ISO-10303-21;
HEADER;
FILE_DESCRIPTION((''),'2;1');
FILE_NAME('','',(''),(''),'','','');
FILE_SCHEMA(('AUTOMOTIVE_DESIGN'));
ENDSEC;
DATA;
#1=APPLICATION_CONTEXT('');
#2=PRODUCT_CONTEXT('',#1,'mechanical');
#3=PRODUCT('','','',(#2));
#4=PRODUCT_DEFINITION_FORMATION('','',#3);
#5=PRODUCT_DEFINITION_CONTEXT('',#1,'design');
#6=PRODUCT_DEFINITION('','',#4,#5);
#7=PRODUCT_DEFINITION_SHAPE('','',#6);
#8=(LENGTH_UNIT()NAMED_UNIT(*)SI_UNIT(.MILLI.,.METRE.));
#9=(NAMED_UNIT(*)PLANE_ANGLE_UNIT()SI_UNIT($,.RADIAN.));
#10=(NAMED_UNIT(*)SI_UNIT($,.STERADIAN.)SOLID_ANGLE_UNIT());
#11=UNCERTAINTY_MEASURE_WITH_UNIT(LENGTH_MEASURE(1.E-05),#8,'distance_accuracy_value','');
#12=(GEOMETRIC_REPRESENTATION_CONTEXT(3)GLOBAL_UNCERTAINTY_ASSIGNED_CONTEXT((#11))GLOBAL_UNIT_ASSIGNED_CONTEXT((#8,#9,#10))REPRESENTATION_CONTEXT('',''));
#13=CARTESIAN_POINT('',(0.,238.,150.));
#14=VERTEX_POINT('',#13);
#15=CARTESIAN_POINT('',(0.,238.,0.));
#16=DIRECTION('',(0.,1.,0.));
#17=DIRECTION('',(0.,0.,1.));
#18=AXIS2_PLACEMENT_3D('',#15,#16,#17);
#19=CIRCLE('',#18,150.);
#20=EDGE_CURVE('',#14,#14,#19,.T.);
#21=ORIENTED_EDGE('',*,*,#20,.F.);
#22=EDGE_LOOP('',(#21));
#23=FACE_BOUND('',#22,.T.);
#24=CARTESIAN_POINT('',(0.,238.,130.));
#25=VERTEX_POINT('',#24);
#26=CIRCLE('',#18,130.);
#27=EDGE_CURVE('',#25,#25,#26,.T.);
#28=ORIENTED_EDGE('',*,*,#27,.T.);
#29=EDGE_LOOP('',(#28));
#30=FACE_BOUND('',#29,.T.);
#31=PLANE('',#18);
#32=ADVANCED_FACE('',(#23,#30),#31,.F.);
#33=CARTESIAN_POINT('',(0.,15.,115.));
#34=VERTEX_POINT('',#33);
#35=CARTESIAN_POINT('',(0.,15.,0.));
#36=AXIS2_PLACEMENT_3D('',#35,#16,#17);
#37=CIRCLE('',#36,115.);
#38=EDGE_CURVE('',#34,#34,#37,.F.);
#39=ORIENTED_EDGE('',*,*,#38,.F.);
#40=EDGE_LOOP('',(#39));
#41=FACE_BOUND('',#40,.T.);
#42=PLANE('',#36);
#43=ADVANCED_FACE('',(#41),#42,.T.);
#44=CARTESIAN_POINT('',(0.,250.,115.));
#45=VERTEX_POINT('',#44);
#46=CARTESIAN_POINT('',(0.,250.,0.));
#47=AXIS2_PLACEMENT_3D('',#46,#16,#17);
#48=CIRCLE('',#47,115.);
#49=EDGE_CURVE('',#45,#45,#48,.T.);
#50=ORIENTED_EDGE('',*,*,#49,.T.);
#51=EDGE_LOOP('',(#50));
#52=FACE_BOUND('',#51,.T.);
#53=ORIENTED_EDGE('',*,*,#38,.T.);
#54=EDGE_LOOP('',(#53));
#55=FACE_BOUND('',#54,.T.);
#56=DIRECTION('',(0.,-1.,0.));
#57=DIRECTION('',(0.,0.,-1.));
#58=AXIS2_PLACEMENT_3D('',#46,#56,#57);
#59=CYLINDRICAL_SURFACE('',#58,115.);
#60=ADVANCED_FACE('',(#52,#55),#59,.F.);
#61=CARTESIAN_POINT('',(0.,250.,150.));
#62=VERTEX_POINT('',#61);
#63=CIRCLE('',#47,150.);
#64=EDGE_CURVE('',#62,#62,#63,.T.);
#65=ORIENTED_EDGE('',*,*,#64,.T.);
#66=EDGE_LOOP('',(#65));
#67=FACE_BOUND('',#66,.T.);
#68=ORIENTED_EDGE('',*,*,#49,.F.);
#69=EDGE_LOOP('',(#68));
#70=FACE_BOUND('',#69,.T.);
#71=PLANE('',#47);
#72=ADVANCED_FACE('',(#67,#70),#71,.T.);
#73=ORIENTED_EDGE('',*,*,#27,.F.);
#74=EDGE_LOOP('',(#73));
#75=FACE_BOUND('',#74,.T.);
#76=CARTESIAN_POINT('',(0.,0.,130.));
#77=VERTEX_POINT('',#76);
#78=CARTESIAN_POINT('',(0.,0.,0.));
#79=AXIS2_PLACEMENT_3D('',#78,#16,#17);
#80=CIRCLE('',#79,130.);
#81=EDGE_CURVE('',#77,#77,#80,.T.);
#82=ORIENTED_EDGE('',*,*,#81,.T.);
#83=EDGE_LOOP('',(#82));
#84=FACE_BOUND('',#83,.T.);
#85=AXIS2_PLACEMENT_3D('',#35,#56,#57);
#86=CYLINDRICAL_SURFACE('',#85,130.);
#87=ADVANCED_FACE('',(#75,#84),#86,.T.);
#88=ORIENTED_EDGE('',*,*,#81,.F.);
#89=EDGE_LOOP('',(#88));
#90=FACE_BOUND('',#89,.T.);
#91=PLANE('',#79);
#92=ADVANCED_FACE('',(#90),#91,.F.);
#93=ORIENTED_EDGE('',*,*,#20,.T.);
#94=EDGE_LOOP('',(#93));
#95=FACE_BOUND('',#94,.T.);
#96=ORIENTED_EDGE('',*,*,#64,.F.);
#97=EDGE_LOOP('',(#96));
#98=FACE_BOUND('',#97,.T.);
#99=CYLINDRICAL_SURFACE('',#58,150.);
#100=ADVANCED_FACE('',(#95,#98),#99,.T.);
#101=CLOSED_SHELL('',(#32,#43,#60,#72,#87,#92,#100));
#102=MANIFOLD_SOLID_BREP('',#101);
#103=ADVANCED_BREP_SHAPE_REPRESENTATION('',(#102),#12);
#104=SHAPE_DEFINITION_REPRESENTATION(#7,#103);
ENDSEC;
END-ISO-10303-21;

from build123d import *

# Parameters (mm, degrees)
POT_BASE_SKETCH_R   = 130
POT_BASE_DEPTH      = 15
POT_WALL_SKETCH_R   = 130
POT_WALL_SKETCH_R_2 = 115
POT_WALL_DEPTH      = 250
POT_START           = 238
POT_RIM_SKETCH_R    = 150
POT_RIM_SKETCH_R_2  = 115
POT_RIM_DEPTH       = 12


with BuildPart() as part:
    # Pot Base Sketch → Pot Base (new body)
    with BuildSketch(Plane(origin=(0, 0, 0), x_dir=(1, 0, 0), z_dir=(0, 1, 0))):
        with Locations(Location((0, 0, 0), (0, 0, 270))):
            Circle(POT_BASE_SKETCH_R)
    extrude(amount=POT_BASE_DEPTH)

    # Pot Wall Sketch → Pot Wall (add)
    with BuildSketch(Plane(origin=(0, 0, 0), x_dir=(1, 0, 0), z_dir=(0, 1, 0))):
        with Locations(Location((0, 0, 0), (0, 0, 270))):
            Circle(POT_WALL_SKETCH_R)
        with Locations(Location((0, 0, 0), (0, 0, 270))):
            Circle(POT_WALL_SKETCH_R_2, mode=Mode.SUBTRACT)
    extrude(amount=POT_WALL_DEPTH)

    # Pot Rim Sketch → Pot Rim (add)
    with BuildSketch(Plane(origin=(0, 0, 0), x_dir=(1, 0, 0), z_dir=(0, 1, 0)).offset(POT_START)):
        with Locations(Location((0, 0, 0), (0, 0, 270))):
            Circle(POT_RIM_SKETCH_R)
        with Locations(Location((0, 0, 0), (0, 0, 270))):
            Circle(POT_RIM_SKETCH_R_2, mode=Mode.SUBTRACT)
    extrude(amount=POT_RIM_DEPTH)


solid = part.part
